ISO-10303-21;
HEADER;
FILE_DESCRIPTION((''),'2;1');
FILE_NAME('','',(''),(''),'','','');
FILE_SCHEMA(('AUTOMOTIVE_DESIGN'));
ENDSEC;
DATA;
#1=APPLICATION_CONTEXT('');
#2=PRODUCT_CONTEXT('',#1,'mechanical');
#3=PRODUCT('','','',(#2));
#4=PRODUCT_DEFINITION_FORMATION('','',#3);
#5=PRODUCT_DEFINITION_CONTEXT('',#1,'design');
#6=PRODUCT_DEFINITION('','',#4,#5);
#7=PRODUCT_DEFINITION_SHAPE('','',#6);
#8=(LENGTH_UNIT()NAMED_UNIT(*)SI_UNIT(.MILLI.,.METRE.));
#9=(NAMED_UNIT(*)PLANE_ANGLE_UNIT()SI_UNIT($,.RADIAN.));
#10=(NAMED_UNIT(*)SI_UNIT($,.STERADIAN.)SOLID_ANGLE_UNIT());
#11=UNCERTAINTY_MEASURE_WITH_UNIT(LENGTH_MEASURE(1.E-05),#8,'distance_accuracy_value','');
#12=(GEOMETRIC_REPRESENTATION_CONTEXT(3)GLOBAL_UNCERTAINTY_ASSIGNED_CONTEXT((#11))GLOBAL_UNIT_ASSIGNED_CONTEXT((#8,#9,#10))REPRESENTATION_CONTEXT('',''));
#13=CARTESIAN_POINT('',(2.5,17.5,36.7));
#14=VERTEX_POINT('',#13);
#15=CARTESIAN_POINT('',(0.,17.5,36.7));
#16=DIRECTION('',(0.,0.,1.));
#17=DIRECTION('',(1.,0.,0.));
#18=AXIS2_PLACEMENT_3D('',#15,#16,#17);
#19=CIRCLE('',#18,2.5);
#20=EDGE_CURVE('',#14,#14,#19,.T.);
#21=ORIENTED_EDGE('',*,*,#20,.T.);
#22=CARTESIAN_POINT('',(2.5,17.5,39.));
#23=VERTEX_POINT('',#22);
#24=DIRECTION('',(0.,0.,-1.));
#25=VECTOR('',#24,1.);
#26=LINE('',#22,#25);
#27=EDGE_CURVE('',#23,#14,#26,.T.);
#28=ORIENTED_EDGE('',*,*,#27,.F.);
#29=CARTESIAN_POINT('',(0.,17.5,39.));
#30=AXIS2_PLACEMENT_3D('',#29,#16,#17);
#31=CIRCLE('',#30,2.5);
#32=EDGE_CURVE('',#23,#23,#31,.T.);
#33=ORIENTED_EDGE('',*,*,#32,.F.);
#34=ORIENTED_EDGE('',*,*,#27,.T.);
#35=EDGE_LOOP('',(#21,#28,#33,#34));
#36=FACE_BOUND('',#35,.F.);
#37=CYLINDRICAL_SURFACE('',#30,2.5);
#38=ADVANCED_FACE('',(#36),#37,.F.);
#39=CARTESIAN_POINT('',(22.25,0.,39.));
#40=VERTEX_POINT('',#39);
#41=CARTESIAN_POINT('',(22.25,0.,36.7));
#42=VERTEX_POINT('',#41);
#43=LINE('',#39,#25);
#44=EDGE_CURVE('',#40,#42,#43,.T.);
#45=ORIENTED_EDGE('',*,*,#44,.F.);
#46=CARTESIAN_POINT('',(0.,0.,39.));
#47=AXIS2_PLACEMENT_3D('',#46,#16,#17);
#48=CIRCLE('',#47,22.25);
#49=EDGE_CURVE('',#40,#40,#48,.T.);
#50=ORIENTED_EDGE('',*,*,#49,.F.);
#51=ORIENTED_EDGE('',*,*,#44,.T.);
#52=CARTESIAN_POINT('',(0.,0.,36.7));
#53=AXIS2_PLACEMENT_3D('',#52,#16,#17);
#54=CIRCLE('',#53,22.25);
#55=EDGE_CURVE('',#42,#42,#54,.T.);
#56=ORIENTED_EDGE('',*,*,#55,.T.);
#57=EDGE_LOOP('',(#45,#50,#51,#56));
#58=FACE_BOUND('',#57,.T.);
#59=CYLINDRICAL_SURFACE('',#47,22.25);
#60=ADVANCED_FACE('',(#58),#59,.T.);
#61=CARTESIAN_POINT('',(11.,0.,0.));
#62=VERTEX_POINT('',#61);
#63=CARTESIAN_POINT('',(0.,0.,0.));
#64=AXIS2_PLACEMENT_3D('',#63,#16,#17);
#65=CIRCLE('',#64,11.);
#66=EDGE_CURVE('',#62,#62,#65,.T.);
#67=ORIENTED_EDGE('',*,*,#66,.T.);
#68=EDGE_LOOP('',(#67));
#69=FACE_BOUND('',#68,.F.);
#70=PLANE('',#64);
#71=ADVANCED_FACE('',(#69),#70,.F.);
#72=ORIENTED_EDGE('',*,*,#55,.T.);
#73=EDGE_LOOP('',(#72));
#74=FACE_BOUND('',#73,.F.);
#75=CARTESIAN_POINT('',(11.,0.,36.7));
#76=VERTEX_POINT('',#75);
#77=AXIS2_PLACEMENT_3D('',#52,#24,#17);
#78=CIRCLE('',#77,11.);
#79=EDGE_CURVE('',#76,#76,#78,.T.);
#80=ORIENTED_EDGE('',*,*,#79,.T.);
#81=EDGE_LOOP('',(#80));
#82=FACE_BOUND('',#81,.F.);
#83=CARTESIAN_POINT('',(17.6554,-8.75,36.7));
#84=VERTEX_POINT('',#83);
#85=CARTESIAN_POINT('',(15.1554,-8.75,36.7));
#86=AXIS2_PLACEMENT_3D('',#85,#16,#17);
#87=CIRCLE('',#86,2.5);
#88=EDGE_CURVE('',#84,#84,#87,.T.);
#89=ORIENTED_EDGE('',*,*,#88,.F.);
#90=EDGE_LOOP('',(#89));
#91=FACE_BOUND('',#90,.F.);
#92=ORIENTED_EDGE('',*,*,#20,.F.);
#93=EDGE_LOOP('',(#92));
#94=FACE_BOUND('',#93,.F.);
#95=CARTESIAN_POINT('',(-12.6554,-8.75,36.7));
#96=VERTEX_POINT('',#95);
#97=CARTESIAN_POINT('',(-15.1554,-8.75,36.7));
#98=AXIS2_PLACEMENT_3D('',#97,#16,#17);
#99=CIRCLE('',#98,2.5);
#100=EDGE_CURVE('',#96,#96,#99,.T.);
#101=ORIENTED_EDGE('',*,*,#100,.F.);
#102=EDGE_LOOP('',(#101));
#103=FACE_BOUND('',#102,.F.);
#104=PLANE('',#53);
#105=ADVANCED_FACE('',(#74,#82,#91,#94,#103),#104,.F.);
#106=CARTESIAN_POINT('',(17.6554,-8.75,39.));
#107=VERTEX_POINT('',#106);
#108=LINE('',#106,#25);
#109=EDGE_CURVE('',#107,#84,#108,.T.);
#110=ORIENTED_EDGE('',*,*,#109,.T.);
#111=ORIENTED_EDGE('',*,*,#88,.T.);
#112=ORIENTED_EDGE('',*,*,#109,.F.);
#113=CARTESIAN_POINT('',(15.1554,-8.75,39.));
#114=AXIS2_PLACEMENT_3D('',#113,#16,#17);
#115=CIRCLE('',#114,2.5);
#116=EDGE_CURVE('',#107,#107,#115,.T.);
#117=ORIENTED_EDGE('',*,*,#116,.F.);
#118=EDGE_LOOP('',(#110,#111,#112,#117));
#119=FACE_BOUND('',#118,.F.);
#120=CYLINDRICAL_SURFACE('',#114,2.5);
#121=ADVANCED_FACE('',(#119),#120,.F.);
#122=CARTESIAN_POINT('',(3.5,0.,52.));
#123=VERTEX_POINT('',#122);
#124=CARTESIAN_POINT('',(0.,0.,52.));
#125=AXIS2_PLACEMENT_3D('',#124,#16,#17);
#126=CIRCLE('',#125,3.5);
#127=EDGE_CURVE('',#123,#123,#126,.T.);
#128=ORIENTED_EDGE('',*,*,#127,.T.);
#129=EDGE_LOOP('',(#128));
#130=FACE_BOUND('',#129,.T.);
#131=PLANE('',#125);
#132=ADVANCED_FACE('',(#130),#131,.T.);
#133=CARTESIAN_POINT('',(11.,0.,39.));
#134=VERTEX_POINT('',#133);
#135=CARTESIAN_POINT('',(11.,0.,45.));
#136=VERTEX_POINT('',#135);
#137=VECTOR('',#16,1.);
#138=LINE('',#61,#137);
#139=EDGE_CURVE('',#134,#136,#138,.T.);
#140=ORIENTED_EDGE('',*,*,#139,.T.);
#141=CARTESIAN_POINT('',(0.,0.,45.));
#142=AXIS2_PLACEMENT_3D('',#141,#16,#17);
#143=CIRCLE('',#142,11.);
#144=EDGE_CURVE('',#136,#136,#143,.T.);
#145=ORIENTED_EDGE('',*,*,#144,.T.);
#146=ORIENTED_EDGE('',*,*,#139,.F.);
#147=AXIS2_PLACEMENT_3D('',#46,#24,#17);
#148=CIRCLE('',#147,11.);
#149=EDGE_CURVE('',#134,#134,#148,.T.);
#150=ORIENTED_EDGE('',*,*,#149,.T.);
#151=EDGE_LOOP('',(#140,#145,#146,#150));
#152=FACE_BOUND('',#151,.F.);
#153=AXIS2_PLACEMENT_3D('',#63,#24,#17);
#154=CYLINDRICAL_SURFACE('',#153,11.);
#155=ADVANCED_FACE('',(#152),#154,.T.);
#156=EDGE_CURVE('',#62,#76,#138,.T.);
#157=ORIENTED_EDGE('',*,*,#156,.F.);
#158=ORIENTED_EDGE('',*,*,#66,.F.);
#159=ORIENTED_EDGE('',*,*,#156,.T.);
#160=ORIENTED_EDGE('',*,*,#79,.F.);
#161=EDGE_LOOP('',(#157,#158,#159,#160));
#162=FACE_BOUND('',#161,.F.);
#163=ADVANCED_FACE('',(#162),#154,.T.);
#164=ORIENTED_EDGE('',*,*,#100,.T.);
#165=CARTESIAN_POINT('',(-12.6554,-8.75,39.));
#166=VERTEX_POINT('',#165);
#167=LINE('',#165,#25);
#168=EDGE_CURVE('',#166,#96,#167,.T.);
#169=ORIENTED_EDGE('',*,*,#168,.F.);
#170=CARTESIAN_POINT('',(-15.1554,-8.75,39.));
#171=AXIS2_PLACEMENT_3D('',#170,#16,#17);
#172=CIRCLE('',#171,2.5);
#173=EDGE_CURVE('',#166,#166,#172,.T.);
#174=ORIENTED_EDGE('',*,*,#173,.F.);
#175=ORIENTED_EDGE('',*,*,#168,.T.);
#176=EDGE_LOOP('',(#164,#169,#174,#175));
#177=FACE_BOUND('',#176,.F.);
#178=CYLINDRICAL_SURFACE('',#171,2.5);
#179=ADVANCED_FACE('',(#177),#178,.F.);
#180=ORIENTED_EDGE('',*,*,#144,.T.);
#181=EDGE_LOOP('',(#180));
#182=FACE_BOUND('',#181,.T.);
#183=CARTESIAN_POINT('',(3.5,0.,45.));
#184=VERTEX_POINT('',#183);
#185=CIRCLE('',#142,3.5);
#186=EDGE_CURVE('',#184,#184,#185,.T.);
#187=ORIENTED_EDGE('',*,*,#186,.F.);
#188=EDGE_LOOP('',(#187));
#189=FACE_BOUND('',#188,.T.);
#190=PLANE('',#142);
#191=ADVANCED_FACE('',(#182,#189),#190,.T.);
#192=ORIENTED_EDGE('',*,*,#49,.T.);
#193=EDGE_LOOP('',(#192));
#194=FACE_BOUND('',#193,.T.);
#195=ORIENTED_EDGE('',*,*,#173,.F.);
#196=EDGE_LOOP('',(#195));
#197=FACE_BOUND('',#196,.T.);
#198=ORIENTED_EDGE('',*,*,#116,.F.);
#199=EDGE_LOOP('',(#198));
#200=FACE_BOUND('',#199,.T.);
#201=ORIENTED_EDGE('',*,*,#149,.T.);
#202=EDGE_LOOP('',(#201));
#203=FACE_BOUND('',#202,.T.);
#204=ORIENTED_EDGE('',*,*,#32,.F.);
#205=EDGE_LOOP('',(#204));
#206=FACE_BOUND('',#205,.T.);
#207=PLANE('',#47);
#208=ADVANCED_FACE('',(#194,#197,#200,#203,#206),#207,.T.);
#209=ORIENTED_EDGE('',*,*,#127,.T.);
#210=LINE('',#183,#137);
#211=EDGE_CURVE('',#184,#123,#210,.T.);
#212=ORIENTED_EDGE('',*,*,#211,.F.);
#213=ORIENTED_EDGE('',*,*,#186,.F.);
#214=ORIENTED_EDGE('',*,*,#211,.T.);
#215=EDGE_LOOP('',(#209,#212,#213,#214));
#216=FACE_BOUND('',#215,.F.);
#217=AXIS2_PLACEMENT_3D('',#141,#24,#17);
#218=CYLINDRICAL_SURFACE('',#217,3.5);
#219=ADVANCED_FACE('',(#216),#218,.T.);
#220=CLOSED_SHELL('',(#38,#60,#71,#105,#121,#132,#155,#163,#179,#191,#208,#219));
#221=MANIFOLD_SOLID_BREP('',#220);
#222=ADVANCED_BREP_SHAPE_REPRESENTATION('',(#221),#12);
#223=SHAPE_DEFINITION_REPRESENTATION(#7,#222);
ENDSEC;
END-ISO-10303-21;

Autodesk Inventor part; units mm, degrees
ref_plane "YZ Plane" through (0, 0, 0) normal (1, 0, 0) x (0, 1, 0)
ref_plane "XZ Plane" through (0, 0, 0) normal (0, 1, 0) x (-1, 0, 0)
sketch "Sketch1" plane through (0, 0, 0) normal (0, 0, 1) x (1, 0, 0)
  circle A0 centre (0, 0) radius 11
  dimension "d0" = 22
extrude "Extrusion1" add sketch "Sketch1" along normal blind 45
ref_plane "Work Plane1" through (0, 0, 39) normal (0, 0, 1) x (1, 0, 0)
sketch "Sketch2" plane through (0, 0, 39) normal (0, 0, 1) x (1, 0, 0)
  circle A0 centre (0, 0) radius 22.25
  circle A1 centre (0, 17.5) radius 2.5
  circle A2 centre (-15.1554, -8.75) radius 2.5
  circle A3 centre (15.1554, -8.75) radius 2.5
  dimension "d4" = 44.5
  dimension "d5" = 5
  dimension "d6" = 17.5
  dimension "d9" = 360
extrude "Extrusion2" add sketch "Sketch2" against normal blind 2.3
sketch "Sketch3" plane through (0, 0, 45) normal (0, 0, 1) x (1, 0, 0)
  circle A0 centre (0, 0) radius 3.5
  dimension "d13" = 7
extrude "Extrusion3" add sketch "Sketch3" along normal blind 7
properties part number "Slip Ring" material "ABS Plastic"
